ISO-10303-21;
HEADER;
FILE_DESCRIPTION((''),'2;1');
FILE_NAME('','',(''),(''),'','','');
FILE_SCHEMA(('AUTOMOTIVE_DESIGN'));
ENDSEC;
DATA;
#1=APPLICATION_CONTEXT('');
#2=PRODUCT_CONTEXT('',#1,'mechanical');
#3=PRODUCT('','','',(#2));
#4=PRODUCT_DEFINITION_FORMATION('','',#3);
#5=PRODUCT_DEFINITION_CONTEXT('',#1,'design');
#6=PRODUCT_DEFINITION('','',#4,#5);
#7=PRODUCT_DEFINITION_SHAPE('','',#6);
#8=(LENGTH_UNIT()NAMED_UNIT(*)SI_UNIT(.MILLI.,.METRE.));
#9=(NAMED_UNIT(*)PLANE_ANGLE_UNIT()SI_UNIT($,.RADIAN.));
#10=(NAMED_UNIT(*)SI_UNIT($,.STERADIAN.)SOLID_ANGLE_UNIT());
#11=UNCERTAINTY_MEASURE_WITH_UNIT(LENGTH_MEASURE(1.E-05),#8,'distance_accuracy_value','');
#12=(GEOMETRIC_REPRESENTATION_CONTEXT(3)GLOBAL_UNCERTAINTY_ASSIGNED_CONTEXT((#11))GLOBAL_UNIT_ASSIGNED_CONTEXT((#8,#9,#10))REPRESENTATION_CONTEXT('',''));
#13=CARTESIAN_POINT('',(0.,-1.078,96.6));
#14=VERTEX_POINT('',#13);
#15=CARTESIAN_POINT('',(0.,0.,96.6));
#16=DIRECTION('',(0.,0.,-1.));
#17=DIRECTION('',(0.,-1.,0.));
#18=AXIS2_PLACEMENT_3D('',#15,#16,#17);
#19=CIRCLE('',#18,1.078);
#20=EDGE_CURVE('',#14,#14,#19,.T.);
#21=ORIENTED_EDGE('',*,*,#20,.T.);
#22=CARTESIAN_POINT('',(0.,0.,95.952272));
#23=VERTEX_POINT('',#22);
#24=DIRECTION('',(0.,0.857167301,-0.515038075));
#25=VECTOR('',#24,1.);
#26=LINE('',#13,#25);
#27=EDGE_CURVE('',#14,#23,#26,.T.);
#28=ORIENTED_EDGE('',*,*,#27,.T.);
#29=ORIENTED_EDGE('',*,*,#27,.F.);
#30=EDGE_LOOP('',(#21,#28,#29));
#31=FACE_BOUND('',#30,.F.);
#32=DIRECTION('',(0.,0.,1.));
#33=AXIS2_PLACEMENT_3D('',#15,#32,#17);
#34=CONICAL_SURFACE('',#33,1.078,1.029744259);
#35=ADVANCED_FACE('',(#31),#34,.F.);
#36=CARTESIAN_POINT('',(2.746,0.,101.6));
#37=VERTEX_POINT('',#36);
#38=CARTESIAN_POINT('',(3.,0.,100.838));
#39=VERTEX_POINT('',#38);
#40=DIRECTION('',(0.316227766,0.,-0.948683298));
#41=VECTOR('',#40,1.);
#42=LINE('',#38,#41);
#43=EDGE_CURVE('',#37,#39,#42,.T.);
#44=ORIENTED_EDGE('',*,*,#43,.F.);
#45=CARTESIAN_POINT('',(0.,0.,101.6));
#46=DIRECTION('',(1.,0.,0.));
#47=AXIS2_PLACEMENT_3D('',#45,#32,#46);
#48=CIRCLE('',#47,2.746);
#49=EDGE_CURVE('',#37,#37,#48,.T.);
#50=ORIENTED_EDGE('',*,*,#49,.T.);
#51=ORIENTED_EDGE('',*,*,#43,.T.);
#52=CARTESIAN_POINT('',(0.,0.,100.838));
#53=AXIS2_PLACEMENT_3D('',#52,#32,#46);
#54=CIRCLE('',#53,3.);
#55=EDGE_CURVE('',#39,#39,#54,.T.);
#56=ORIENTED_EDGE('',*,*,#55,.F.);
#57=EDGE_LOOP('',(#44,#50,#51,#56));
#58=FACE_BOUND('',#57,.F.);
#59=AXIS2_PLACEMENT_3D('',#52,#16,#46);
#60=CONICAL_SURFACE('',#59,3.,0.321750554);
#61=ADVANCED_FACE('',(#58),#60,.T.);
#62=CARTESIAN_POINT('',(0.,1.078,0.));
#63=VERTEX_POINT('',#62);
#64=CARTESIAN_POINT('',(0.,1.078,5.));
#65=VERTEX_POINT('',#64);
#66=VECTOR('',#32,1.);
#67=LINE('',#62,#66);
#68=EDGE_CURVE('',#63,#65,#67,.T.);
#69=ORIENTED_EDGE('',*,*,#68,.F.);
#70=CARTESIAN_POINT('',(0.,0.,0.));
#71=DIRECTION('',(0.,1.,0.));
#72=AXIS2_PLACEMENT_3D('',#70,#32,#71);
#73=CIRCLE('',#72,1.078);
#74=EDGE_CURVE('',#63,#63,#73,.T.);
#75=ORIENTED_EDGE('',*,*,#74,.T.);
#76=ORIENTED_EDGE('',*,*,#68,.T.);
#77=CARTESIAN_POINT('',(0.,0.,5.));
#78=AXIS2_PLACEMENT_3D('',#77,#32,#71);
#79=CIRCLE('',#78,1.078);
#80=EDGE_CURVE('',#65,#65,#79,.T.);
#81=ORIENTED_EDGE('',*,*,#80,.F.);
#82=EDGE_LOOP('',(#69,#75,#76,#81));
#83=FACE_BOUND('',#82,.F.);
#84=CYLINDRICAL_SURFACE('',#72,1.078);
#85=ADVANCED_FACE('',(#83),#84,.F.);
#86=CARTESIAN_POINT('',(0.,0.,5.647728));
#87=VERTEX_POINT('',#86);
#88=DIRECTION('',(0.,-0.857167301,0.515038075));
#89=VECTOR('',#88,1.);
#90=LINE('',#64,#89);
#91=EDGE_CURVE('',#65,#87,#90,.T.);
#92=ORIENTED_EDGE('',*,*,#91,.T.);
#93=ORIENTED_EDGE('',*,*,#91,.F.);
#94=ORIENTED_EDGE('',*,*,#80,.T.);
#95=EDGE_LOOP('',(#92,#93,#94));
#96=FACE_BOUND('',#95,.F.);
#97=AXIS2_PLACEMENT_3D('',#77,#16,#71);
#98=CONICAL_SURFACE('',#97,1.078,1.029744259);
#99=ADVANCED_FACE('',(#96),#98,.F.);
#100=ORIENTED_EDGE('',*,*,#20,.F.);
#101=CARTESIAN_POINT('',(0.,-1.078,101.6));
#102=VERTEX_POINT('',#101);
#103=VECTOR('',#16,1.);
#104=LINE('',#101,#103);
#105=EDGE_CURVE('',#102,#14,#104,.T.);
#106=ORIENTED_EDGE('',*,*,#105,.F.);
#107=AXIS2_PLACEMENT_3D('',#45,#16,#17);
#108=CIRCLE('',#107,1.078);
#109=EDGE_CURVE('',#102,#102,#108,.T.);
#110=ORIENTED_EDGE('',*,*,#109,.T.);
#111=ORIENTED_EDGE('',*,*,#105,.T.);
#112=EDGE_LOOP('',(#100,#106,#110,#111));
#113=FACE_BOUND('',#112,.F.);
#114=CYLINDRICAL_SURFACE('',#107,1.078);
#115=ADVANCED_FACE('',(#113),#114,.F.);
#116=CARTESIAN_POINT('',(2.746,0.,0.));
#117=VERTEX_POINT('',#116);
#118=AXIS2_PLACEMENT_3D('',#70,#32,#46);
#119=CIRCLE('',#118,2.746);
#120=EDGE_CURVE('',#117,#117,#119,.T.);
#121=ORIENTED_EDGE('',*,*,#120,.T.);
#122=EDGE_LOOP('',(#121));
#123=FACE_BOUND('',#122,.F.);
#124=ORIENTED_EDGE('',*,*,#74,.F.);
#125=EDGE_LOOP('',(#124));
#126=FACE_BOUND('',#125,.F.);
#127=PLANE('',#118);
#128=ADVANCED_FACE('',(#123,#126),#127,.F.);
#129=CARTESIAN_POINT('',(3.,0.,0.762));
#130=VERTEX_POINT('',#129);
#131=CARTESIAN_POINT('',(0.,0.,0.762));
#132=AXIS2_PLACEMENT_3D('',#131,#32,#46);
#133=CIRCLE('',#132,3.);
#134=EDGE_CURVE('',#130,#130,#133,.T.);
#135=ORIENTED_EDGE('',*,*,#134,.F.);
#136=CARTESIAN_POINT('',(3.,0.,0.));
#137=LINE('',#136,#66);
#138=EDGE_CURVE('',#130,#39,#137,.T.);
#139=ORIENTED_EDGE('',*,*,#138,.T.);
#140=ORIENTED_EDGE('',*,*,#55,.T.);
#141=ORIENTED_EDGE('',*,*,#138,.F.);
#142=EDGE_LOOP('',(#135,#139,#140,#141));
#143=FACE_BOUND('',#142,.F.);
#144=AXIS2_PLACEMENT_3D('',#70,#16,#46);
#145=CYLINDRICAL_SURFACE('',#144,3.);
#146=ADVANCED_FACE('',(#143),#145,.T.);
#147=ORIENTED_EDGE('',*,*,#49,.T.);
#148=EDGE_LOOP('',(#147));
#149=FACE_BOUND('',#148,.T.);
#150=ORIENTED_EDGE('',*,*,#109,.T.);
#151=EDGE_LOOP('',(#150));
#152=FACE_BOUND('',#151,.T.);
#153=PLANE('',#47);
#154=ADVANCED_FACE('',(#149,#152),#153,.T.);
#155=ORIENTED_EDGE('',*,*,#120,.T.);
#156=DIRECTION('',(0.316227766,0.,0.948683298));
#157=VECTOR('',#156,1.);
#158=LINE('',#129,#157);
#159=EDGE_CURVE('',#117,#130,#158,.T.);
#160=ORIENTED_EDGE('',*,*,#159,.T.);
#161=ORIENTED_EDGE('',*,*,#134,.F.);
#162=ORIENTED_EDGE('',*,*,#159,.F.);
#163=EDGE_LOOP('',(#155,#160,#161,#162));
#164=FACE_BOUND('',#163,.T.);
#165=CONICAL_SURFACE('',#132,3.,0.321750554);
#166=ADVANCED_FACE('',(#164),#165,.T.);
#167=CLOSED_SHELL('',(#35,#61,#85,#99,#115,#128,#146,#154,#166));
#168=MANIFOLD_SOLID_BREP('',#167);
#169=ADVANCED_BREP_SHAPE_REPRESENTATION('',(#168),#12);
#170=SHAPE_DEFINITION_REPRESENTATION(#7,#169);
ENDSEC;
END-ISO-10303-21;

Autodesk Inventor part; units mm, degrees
ref_plane "YZ Plane" through (0, 0, 0) normal (1, 0, 0) x (0, 1, 0)
ref_plane "XZ Plane" through (0, 0, 0) normal (0, 1, 0) x (-1, 0, 0)
ref_plane "XY Plane" through (0, 0, 0) normal (0, 0, 1) x (1, 0, 0)
sketch "Sketch1" plane through (0, 0, 0) normal (0, 0, 1) x (1, 0, 0)
  circle A0 centre (0, 0) radius 3
  dimension "d0" = 6
extrude "Extrusion1" add sketch "Sketch1" along normal blind 101.6
chamfer "Chamfer1" distance 0.254 distance2 0.762 1 edges at (-3, 0, 0) measured on face at (-0.5351, 1.0949, 0)
chamfer "Chamfer2" distance 0.254 distance2 0.762 1 edges at (-3, 0, 101.6) measured on face at (-0.5351, 1.0949, 101.6)
sketch "Sketch2" plane through (0, 0, 0) normal (0, 0, -1) x (-1, 0, 0)
  circle A0 centre (0, 0) radius 2.746 projected
sketch "Sketch3" plane through (0, 0, 101.6) normal (0, 0, 1) x (1, 0, 0)
  circle A0 centre (0, 0) radius 2.746 projected
hole "Hole1" at (0, 0, 0) direction (0, 0, 1) diameter 2.156 depth 5 tip angle 118
hole "Hole2" at (0, 0, 101.6) direction (0, 0, -1) diameter 2.156 depth 5 tip angle 118
properties part number "ER4_CageRod"
